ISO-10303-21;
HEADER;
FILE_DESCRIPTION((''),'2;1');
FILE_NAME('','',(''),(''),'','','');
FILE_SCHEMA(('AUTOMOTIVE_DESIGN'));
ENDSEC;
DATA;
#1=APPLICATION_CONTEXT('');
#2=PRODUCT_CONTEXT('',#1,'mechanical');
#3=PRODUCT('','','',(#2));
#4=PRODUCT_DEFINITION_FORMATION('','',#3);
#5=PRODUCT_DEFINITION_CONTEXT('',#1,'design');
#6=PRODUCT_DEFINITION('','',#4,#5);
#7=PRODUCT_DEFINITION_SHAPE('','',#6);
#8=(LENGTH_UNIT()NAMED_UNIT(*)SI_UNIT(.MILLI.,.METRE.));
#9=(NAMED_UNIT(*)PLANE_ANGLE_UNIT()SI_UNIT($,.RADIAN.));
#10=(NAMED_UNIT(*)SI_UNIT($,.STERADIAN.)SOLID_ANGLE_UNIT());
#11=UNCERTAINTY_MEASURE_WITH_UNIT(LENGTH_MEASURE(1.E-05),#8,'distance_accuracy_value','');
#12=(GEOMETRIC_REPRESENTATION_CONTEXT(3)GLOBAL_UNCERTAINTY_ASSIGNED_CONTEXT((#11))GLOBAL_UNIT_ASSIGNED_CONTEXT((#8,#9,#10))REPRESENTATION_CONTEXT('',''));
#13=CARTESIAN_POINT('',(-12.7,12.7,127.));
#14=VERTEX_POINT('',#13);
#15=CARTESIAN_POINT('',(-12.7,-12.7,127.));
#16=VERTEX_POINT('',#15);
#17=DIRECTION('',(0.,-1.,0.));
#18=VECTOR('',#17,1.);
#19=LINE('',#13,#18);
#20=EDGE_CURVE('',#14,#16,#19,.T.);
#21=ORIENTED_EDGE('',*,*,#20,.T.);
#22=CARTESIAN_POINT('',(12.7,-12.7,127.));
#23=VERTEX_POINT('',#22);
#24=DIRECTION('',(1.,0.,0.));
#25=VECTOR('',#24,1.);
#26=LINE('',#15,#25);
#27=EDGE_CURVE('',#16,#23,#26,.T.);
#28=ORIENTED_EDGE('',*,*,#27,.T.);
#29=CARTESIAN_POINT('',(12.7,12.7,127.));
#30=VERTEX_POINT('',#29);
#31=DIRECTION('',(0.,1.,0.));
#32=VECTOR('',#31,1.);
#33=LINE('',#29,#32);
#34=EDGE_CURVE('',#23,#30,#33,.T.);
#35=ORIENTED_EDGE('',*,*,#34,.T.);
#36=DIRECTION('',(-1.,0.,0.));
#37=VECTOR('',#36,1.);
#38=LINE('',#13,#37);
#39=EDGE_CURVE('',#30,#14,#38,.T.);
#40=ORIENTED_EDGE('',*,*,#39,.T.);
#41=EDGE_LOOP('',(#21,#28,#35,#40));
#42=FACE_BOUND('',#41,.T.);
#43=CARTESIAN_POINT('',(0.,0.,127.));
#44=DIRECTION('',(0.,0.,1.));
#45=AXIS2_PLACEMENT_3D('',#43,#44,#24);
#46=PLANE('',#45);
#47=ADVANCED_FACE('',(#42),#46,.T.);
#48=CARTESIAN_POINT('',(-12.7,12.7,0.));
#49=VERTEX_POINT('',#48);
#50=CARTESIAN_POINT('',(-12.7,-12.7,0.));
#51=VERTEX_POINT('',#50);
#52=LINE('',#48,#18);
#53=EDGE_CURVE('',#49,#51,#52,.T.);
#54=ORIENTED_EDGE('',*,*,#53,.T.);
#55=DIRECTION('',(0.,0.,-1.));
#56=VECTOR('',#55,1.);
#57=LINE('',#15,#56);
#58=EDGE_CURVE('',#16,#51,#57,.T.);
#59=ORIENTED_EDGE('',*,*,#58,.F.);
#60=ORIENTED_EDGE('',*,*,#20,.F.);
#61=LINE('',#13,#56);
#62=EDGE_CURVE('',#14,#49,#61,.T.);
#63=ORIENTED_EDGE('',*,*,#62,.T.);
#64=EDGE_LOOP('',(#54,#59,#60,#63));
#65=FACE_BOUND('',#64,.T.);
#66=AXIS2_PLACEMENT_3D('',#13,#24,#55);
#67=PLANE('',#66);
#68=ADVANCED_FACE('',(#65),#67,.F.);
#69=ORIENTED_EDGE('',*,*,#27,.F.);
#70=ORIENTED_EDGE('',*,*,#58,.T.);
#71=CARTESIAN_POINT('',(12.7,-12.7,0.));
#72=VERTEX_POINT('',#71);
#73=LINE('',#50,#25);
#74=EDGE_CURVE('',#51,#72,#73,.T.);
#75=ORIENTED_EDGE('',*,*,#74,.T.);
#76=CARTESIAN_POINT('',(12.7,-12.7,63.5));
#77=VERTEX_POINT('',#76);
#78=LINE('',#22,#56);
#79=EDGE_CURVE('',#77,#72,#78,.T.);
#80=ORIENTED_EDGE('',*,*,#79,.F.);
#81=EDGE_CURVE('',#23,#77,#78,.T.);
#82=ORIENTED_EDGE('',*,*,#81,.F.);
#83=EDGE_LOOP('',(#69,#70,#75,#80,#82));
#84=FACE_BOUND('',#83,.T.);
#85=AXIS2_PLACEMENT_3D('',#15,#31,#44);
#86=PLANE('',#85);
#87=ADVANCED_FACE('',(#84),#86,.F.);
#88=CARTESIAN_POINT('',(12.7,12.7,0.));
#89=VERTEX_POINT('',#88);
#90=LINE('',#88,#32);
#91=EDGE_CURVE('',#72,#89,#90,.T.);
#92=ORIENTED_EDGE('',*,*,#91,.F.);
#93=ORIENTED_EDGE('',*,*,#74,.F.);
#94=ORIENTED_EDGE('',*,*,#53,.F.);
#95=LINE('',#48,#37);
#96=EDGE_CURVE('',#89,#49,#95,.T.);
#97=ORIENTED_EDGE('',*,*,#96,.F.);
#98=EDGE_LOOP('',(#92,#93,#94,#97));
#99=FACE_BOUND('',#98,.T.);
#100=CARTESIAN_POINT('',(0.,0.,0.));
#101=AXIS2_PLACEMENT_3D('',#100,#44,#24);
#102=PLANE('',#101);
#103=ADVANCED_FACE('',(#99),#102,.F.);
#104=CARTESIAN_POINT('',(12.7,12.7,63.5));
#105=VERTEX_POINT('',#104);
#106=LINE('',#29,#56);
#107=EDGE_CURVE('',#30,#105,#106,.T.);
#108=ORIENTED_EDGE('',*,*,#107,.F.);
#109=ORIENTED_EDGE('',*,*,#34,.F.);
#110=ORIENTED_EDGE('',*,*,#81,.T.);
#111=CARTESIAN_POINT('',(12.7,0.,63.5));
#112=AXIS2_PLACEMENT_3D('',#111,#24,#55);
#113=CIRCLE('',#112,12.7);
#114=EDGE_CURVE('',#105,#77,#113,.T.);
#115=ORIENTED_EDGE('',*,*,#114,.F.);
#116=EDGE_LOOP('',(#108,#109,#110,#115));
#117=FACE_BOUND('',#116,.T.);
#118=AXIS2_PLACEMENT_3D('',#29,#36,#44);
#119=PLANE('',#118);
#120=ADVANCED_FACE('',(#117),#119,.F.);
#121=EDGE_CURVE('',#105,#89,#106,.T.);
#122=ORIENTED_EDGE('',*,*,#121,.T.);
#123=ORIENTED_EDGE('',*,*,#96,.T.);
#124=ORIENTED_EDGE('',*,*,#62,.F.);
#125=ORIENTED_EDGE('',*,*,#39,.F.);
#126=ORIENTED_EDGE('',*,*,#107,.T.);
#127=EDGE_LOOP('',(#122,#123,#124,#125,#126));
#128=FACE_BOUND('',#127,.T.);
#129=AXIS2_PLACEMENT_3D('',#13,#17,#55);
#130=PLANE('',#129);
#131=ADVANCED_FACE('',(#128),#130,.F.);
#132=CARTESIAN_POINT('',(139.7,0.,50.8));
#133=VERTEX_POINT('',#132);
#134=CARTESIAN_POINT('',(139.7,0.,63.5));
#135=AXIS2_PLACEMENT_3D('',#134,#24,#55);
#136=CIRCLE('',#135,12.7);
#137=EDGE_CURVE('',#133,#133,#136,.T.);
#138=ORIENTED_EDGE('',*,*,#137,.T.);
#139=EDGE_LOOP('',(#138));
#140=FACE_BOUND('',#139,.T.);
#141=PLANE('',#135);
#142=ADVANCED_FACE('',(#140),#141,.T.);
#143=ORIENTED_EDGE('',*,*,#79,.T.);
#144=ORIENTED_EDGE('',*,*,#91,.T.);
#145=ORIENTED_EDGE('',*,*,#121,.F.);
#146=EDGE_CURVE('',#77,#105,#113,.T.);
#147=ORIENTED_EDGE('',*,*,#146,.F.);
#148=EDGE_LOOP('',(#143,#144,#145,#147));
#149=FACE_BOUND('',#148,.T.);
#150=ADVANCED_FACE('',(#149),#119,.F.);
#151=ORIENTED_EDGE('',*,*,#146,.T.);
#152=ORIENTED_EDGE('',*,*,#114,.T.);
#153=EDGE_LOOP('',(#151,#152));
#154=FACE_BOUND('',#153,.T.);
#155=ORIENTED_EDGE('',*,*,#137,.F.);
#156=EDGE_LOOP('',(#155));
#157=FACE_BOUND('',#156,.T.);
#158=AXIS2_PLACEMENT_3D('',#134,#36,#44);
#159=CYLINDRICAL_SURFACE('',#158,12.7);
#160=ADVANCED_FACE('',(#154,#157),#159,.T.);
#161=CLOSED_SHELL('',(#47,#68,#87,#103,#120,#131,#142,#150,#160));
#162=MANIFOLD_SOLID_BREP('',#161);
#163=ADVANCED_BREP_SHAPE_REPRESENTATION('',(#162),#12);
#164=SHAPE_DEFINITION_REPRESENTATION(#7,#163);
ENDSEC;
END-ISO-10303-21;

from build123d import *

# Parameters (mm, degrees)
SKETCH1_W           = 25.4
SKETCH1_H           = 25.4
BOSS_EXTRUDE1_DEPTH = 127
SKETCH2_R           = 12.7
BOSS_EXTRUDE2_DEPTH = 127


with BuildPart() as part:
    # Sketch1 → Boss-Extrude1 (new body)
    with BuildSketch(Plane.XY):
        Rectangle(SKETCH1_W, SKETCH1_H)
    extrude(amount=BOSS_EXTRUDE1_DEPTH)

    # Sketch2 → Boss-Extrude2 (add)
    with BuildSketch(Plane(origin=(12.7, 0, 0), x_dir=(0, 0, -1), z_dir=(1, 0, 0))):
        with Locations(Location((-63.5, 0, 0), (0, 0, 270))):
            Circle(SKETCH2_R)
    extrude(amount=BOSS_EXTRUDE2_DEPTH)


solid = part.part
